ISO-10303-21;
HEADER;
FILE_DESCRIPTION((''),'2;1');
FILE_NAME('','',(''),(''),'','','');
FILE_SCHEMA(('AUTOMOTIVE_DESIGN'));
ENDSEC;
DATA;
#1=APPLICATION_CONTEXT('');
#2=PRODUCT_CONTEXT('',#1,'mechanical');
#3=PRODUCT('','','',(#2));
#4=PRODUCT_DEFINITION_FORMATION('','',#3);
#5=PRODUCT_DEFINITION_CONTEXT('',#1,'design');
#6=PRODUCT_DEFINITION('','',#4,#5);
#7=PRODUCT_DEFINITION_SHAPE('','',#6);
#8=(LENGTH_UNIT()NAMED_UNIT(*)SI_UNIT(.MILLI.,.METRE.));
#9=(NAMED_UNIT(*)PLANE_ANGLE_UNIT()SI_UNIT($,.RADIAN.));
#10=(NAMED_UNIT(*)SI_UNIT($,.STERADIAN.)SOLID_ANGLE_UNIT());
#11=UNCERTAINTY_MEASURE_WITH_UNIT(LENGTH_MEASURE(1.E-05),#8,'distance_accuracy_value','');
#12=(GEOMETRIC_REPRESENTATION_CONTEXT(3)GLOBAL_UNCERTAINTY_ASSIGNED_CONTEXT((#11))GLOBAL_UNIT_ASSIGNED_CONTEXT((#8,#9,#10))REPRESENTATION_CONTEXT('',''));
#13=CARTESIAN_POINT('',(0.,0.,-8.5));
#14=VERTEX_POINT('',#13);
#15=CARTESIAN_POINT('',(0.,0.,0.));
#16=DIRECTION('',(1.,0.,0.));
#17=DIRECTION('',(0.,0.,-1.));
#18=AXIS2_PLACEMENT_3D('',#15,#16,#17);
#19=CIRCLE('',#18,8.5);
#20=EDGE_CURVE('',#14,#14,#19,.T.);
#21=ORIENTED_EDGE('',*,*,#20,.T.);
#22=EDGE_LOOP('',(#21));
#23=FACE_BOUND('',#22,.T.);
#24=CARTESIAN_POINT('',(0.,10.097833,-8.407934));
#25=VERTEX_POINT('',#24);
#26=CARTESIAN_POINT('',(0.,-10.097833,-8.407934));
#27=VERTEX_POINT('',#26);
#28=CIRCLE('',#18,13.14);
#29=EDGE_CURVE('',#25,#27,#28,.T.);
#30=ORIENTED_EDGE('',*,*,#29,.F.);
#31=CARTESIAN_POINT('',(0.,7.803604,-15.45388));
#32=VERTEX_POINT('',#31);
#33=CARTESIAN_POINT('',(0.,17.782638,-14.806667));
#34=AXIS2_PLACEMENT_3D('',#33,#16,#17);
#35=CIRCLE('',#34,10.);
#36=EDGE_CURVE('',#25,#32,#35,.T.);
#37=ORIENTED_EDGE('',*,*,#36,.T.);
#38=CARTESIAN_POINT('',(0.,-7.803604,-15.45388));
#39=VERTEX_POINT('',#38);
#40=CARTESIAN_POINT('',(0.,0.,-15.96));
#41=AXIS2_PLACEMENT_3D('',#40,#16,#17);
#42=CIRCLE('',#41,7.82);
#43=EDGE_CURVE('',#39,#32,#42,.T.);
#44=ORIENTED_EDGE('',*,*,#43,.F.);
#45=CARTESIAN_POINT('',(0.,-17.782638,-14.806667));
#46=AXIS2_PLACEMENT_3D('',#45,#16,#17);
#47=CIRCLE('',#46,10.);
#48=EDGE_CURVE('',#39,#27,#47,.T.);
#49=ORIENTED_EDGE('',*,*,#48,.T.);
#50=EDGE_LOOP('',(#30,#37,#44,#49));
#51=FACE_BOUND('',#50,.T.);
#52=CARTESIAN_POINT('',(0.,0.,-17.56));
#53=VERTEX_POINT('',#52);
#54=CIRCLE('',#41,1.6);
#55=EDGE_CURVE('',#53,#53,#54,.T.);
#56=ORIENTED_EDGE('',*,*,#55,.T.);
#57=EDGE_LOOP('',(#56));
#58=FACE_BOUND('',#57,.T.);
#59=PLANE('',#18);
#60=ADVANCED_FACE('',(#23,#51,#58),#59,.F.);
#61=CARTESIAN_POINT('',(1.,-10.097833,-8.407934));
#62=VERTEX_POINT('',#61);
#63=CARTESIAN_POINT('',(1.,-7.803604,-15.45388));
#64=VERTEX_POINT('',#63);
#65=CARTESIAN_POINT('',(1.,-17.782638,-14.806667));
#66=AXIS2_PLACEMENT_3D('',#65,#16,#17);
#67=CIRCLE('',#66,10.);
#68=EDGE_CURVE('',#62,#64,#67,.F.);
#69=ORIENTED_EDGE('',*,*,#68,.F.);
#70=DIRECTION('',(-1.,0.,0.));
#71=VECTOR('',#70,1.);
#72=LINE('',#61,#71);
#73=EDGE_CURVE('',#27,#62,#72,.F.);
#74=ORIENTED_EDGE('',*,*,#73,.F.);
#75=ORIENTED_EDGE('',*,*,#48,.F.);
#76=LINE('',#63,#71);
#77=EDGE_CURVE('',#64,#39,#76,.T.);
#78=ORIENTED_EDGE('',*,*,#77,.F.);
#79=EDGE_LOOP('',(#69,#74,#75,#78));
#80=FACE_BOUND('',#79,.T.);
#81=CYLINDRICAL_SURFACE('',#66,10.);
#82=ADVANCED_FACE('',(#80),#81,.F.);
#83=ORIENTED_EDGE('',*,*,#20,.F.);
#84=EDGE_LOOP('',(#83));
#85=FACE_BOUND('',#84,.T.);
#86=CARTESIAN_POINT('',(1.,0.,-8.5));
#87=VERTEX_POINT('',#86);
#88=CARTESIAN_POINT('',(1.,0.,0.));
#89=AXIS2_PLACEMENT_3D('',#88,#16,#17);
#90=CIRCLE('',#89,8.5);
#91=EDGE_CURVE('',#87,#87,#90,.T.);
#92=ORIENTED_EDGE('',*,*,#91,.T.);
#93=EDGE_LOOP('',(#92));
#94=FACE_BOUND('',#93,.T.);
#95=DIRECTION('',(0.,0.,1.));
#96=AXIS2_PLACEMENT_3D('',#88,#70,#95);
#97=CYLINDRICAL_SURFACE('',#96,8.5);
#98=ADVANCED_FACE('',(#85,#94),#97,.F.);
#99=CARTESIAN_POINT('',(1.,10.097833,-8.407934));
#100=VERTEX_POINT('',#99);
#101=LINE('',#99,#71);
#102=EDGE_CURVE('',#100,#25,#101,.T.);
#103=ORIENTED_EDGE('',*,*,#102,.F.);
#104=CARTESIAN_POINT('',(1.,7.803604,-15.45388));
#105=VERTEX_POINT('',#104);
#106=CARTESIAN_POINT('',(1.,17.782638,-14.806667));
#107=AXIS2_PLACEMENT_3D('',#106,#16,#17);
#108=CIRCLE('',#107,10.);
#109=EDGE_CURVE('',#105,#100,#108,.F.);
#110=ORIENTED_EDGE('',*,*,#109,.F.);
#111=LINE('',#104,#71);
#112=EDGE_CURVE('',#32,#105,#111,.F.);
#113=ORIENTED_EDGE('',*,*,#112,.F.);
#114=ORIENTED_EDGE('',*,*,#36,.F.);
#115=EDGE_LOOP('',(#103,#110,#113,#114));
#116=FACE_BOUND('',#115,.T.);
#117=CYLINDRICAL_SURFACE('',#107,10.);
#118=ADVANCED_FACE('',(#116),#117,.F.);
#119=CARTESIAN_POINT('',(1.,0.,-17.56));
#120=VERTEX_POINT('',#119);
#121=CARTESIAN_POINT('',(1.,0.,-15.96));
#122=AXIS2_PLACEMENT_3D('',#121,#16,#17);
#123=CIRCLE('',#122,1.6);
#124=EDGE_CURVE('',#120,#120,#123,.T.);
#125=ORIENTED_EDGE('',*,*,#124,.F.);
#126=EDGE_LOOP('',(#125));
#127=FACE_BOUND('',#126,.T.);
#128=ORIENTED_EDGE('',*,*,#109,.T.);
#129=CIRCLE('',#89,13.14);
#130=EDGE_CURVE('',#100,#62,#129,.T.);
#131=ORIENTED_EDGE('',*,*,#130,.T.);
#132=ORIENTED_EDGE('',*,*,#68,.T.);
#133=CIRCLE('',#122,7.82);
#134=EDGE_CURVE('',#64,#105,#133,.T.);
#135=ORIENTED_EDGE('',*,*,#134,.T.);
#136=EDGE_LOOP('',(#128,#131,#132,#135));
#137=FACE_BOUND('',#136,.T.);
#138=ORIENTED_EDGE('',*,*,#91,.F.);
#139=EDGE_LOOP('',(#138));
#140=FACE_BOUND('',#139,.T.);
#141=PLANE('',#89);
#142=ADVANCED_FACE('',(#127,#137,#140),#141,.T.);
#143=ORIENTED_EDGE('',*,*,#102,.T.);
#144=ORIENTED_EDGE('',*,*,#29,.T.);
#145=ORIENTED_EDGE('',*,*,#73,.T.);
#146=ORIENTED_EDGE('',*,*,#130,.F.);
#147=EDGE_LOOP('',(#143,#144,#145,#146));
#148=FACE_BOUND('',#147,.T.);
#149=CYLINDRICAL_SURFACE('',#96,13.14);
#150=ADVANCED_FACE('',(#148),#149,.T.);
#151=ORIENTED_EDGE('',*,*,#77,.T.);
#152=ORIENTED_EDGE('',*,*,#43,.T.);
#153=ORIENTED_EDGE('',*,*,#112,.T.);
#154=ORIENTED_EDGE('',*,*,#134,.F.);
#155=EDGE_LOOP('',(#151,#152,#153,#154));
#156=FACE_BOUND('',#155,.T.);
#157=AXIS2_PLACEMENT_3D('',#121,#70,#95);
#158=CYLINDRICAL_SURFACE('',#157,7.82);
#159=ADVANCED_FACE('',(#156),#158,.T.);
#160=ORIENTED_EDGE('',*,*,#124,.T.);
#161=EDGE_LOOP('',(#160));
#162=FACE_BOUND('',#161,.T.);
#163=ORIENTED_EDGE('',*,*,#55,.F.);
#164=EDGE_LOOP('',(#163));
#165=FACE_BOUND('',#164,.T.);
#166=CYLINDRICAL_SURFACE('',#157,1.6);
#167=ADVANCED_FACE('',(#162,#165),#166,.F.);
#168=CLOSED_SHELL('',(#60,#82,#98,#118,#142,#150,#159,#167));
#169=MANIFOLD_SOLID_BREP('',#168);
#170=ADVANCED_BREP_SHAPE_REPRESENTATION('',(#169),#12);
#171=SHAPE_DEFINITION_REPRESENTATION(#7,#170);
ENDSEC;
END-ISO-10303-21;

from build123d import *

# Parameters (mm, degrees)
SKETCH_1_R      = 8.5
SKETCH_1_R_2    = 1.6
EXTRUDE_1_DEPTH = 1
FILLET_1_R      = 10


with BuildPart() as part:
    # Эскиз1 → Бобышка-Вытянуть1 (new body)
    with BuildSketch(Plane(origin=(0, 0, 0), x_dir=(0, 0, -1), z_dir=(1, 0, 0))):
        with BuildLine():
            ThreePointArc((11.473333333, -6.404859266), (23.78, 0), (11.473333333, 6.404859266))
            ThreePointArc((11.473333333, 6.404859266), (-13.14, 0), (11.473333333, -6.404859266))
        make_face()
        Circle(SKETCH_1_R, mode=Mode.SUBTRACT)
        with Locations((15.96, 0)):
            Circle(SKETCH_1_R_2, mode=Mode.SUBTRACT)
    extrude(amount=EXTRUDE_1_DEPTH)

    # Скругление1
    fillet_1_edges = [part.edges().sort_by_distance(p)[0] for p in [
        (0.5, -6.404859266, -11.473333333),
        (0.5, 6.404859266, -11.473333333),
    ]]
    fillet(fillet_1_edges, radius=FILLET_1_R)


solid = part.part
